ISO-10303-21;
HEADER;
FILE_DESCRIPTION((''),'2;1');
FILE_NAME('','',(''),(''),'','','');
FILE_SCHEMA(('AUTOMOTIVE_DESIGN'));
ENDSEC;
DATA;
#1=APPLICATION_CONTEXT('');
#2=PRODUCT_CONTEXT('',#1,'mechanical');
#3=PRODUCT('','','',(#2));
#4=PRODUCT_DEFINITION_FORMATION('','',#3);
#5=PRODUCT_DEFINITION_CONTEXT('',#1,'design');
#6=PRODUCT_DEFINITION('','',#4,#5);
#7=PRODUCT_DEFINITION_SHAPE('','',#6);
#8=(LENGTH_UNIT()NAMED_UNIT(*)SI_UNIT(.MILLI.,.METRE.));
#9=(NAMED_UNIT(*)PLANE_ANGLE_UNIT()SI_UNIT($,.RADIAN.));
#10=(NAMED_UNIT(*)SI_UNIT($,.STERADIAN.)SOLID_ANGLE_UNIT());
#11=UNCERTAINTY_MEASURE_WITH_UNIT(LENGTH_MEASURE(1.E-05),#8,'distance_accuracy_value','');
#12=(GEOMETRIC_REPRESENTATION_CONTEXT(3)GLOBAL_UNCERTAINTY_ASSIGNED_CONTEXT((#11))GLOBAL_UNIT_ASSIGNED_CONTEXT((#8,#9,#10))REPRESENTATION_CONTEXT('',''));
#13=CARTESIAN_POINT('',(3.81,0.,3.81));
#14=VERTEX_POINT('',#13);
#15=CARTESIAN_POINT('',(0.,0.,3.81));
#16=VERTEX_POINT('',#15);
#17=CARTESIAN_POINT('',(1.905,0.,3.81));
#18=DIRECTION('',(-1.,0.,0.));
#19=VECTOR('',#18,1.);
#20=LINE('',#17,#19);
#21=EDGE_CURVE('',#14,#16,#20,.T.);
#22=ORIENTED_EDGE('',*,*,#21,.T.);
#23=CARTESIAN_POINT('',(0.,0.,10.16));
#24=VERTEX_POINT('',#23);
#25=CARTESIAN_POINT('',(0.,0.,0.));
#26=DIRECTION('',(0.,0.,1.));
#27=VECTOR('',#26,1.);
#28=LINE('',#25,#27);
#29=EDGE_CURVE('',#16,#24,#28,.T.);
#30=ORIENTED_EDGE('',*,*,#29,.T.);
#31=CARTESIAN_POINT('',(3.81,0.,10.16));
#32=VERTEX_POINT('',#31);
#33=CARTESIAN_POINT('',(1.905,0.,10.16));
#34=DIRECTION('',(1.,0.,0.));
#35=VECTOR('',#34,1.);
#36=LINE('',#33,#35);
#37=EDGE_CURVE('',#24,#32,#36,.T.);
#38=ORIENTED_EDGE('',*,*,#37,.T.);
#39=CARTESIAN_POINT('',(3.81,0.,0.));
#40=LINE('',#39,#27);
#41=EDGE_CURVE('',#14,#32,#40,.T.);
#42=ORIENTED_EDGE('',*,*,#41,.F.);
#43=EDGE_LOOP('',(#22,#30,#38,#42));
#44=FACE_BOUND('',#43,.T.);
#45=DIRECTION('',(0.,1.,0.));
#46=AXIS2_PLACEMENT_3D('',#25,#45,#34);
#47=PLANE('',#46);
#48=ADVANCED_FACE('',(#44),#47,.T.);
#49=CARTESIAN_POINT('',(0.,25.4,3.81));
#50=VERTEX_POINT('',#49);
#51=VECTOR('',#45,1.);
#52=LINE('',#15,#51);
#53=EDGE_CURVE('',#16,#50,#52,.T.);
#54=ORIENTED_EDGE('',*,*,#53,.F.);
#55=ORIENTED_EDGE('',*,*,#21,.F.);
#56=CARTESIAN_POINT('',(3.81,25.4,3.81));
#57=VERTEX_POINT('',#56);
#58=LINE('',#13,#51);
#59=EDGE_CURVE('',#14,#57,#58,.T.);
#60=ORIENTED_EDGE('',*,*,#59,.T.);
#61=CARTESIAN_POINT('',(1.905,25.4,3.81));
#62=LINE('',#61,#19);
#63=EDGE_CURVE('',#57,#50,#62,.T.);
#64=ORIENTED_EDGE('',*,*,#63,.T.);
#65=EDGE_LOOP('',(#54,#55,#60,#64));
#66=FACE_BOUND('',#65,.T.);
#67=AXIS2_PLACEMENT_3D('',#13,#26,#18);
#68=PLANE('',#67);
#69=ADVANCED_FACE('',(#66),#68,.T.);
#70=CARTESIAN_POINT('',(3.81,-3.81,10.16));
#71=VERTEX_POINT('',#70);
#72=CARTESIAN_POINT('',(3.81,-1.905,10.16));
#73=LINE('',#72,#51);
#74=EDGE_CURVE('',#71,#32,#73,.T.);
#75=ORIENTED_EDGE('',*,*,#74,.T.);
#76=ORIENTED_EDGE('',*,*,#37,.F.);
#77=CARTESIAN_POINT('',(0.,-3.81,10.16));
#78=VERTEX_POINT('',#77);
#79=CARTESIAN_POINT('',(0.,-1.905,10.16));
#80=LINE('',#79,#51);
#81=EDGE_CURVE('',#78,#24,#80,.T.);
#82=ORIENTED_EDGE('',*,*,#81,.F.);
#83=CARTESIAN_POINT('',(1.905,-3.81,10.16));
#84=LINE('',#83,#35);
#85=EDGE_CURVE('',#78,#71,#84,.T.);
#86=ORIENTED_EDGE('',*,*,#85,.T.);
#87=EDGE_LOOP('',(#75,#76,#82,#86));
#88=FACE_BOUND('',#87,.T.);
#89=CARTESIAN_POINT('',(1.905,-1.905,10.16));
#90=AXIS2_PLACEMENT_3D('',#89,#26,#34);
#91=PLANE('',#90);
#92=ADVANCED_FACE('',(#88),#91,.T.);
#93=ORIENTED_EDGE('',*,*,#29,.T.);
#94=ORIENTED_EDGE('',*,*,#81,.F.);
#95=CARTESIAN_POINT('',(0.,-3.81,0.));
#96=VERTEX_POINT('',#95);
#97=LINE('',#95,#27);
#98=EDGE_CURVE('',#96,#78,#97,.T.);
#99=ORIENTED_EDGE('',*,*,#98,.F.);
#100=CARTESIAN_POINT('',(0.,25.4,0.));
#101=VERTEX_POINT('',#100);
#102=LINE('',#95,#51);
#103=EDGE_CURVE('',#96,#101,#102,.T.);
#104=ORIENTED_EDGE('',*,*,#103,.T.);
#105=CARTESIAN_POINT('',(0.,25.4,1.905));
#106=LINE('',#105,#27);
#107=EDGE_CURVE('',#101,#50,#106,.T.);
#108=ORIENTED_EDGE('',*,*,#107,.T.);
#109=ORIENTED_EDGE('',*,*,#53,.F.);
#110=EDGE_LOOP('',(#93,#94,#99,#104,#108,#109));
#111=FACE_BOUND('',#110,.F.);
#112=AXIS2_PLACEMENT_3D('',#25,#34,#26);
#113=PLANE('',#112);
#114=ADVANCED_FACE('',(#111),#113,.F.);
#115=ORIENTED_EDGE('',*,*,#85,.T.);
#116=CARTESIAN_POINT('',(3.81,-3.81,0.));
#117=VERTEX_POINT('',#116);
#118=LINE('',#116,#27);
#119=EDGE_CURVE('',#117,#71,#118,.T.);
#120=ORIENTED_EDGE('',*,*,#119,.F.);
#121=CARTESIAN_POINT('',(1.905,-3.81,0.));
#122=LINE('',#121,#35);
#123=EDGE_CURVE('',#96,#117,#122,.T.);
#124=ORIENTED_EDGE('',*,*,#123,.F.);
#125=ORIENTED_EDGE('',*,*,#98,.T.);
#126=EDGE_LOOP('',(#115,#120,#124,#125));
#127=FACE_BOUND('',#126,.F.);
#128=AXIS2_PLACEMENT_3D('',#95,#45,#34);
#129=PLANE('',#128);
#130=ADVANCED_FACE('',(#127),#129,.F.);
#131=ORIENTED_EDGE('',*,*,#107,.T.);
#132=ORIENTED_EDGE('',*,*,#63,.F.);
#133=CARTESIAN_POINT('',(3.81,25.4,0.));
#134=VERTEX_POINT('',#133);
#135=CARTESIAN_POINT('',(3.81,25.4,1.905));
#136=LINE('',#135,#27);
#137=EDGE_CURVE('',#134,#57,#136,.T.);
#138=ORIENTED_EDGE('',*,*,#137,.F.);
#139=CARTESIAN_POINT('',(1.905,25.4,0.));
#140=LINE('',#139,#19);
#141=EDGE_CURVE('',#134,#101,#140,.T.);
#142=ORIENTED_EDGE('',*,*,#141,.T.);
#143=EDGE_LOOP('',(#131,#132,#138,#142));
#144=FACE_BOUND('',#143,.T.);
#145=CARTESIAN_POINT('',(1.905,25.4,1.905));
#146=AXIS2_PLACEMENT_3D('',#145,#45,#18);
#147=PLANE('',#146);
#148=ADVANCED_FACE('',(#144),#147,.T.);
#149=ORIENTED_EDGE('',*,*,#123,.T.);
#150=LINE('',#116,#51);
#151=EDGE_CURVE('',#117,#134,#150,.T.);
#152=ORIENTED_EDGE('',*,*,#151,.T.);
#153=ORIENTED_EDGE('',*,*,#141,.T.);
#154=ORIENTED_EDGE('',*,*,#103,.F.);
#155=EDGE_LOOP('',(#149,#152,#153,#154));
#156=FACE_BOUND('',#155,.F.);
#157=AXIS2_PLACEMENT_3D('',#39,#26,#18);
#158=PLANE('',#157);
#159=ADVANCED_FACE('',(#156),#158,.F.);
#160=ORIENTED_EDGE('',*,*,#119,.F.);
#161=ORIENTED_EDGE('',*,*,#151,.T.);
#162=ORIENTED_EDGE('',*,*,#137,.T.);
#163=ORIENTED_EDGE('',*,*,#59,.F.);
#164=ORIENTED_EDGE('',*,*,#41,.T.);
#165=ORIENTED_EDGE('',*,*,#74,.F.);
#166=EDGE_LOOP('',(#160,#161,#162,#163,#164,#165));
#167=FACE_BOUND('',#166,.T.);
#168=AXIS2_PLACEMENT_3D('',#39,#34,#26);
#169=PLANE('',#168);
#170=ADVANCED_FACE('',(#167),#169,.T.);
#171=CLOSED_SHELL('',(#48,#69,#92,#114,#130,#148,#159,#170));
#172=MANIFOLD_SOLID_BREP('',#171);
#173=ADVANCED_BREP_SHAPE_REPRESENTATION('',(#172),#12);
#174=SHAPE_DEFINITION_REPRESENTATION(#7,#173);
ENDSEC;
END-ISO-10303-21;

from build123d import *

# Parameters (mm, degrees)
F0_W     = 3.81
F0_H     = 3.81
F1_DEPTH = 10.16
F3_W     = 3.81
F3_H     = 3.81
F4_DEPTH = 25.4


with BuildPart() as f1:
    # F0 (on Top) → F1 (new body)
    with BuildSketch(Plane.XY):
        with Locations((1.905, -1.905)):
            Rectangle(F0_W, F0_H)
    extrude(amount=F1_DEPTH)

    # F3 (on offset) → F4 (join)
    with BuildSketch(Plane(origin=(0, 0, 0), x_dir=(-1, 0, 0), z_dir=(0, 1, 0))):
        with Locations((-1.905, 1.905)):
            Rectangle(F3_W, F3_H)
    extrude(amount=F4_DEPTH)


solid = f1.part
